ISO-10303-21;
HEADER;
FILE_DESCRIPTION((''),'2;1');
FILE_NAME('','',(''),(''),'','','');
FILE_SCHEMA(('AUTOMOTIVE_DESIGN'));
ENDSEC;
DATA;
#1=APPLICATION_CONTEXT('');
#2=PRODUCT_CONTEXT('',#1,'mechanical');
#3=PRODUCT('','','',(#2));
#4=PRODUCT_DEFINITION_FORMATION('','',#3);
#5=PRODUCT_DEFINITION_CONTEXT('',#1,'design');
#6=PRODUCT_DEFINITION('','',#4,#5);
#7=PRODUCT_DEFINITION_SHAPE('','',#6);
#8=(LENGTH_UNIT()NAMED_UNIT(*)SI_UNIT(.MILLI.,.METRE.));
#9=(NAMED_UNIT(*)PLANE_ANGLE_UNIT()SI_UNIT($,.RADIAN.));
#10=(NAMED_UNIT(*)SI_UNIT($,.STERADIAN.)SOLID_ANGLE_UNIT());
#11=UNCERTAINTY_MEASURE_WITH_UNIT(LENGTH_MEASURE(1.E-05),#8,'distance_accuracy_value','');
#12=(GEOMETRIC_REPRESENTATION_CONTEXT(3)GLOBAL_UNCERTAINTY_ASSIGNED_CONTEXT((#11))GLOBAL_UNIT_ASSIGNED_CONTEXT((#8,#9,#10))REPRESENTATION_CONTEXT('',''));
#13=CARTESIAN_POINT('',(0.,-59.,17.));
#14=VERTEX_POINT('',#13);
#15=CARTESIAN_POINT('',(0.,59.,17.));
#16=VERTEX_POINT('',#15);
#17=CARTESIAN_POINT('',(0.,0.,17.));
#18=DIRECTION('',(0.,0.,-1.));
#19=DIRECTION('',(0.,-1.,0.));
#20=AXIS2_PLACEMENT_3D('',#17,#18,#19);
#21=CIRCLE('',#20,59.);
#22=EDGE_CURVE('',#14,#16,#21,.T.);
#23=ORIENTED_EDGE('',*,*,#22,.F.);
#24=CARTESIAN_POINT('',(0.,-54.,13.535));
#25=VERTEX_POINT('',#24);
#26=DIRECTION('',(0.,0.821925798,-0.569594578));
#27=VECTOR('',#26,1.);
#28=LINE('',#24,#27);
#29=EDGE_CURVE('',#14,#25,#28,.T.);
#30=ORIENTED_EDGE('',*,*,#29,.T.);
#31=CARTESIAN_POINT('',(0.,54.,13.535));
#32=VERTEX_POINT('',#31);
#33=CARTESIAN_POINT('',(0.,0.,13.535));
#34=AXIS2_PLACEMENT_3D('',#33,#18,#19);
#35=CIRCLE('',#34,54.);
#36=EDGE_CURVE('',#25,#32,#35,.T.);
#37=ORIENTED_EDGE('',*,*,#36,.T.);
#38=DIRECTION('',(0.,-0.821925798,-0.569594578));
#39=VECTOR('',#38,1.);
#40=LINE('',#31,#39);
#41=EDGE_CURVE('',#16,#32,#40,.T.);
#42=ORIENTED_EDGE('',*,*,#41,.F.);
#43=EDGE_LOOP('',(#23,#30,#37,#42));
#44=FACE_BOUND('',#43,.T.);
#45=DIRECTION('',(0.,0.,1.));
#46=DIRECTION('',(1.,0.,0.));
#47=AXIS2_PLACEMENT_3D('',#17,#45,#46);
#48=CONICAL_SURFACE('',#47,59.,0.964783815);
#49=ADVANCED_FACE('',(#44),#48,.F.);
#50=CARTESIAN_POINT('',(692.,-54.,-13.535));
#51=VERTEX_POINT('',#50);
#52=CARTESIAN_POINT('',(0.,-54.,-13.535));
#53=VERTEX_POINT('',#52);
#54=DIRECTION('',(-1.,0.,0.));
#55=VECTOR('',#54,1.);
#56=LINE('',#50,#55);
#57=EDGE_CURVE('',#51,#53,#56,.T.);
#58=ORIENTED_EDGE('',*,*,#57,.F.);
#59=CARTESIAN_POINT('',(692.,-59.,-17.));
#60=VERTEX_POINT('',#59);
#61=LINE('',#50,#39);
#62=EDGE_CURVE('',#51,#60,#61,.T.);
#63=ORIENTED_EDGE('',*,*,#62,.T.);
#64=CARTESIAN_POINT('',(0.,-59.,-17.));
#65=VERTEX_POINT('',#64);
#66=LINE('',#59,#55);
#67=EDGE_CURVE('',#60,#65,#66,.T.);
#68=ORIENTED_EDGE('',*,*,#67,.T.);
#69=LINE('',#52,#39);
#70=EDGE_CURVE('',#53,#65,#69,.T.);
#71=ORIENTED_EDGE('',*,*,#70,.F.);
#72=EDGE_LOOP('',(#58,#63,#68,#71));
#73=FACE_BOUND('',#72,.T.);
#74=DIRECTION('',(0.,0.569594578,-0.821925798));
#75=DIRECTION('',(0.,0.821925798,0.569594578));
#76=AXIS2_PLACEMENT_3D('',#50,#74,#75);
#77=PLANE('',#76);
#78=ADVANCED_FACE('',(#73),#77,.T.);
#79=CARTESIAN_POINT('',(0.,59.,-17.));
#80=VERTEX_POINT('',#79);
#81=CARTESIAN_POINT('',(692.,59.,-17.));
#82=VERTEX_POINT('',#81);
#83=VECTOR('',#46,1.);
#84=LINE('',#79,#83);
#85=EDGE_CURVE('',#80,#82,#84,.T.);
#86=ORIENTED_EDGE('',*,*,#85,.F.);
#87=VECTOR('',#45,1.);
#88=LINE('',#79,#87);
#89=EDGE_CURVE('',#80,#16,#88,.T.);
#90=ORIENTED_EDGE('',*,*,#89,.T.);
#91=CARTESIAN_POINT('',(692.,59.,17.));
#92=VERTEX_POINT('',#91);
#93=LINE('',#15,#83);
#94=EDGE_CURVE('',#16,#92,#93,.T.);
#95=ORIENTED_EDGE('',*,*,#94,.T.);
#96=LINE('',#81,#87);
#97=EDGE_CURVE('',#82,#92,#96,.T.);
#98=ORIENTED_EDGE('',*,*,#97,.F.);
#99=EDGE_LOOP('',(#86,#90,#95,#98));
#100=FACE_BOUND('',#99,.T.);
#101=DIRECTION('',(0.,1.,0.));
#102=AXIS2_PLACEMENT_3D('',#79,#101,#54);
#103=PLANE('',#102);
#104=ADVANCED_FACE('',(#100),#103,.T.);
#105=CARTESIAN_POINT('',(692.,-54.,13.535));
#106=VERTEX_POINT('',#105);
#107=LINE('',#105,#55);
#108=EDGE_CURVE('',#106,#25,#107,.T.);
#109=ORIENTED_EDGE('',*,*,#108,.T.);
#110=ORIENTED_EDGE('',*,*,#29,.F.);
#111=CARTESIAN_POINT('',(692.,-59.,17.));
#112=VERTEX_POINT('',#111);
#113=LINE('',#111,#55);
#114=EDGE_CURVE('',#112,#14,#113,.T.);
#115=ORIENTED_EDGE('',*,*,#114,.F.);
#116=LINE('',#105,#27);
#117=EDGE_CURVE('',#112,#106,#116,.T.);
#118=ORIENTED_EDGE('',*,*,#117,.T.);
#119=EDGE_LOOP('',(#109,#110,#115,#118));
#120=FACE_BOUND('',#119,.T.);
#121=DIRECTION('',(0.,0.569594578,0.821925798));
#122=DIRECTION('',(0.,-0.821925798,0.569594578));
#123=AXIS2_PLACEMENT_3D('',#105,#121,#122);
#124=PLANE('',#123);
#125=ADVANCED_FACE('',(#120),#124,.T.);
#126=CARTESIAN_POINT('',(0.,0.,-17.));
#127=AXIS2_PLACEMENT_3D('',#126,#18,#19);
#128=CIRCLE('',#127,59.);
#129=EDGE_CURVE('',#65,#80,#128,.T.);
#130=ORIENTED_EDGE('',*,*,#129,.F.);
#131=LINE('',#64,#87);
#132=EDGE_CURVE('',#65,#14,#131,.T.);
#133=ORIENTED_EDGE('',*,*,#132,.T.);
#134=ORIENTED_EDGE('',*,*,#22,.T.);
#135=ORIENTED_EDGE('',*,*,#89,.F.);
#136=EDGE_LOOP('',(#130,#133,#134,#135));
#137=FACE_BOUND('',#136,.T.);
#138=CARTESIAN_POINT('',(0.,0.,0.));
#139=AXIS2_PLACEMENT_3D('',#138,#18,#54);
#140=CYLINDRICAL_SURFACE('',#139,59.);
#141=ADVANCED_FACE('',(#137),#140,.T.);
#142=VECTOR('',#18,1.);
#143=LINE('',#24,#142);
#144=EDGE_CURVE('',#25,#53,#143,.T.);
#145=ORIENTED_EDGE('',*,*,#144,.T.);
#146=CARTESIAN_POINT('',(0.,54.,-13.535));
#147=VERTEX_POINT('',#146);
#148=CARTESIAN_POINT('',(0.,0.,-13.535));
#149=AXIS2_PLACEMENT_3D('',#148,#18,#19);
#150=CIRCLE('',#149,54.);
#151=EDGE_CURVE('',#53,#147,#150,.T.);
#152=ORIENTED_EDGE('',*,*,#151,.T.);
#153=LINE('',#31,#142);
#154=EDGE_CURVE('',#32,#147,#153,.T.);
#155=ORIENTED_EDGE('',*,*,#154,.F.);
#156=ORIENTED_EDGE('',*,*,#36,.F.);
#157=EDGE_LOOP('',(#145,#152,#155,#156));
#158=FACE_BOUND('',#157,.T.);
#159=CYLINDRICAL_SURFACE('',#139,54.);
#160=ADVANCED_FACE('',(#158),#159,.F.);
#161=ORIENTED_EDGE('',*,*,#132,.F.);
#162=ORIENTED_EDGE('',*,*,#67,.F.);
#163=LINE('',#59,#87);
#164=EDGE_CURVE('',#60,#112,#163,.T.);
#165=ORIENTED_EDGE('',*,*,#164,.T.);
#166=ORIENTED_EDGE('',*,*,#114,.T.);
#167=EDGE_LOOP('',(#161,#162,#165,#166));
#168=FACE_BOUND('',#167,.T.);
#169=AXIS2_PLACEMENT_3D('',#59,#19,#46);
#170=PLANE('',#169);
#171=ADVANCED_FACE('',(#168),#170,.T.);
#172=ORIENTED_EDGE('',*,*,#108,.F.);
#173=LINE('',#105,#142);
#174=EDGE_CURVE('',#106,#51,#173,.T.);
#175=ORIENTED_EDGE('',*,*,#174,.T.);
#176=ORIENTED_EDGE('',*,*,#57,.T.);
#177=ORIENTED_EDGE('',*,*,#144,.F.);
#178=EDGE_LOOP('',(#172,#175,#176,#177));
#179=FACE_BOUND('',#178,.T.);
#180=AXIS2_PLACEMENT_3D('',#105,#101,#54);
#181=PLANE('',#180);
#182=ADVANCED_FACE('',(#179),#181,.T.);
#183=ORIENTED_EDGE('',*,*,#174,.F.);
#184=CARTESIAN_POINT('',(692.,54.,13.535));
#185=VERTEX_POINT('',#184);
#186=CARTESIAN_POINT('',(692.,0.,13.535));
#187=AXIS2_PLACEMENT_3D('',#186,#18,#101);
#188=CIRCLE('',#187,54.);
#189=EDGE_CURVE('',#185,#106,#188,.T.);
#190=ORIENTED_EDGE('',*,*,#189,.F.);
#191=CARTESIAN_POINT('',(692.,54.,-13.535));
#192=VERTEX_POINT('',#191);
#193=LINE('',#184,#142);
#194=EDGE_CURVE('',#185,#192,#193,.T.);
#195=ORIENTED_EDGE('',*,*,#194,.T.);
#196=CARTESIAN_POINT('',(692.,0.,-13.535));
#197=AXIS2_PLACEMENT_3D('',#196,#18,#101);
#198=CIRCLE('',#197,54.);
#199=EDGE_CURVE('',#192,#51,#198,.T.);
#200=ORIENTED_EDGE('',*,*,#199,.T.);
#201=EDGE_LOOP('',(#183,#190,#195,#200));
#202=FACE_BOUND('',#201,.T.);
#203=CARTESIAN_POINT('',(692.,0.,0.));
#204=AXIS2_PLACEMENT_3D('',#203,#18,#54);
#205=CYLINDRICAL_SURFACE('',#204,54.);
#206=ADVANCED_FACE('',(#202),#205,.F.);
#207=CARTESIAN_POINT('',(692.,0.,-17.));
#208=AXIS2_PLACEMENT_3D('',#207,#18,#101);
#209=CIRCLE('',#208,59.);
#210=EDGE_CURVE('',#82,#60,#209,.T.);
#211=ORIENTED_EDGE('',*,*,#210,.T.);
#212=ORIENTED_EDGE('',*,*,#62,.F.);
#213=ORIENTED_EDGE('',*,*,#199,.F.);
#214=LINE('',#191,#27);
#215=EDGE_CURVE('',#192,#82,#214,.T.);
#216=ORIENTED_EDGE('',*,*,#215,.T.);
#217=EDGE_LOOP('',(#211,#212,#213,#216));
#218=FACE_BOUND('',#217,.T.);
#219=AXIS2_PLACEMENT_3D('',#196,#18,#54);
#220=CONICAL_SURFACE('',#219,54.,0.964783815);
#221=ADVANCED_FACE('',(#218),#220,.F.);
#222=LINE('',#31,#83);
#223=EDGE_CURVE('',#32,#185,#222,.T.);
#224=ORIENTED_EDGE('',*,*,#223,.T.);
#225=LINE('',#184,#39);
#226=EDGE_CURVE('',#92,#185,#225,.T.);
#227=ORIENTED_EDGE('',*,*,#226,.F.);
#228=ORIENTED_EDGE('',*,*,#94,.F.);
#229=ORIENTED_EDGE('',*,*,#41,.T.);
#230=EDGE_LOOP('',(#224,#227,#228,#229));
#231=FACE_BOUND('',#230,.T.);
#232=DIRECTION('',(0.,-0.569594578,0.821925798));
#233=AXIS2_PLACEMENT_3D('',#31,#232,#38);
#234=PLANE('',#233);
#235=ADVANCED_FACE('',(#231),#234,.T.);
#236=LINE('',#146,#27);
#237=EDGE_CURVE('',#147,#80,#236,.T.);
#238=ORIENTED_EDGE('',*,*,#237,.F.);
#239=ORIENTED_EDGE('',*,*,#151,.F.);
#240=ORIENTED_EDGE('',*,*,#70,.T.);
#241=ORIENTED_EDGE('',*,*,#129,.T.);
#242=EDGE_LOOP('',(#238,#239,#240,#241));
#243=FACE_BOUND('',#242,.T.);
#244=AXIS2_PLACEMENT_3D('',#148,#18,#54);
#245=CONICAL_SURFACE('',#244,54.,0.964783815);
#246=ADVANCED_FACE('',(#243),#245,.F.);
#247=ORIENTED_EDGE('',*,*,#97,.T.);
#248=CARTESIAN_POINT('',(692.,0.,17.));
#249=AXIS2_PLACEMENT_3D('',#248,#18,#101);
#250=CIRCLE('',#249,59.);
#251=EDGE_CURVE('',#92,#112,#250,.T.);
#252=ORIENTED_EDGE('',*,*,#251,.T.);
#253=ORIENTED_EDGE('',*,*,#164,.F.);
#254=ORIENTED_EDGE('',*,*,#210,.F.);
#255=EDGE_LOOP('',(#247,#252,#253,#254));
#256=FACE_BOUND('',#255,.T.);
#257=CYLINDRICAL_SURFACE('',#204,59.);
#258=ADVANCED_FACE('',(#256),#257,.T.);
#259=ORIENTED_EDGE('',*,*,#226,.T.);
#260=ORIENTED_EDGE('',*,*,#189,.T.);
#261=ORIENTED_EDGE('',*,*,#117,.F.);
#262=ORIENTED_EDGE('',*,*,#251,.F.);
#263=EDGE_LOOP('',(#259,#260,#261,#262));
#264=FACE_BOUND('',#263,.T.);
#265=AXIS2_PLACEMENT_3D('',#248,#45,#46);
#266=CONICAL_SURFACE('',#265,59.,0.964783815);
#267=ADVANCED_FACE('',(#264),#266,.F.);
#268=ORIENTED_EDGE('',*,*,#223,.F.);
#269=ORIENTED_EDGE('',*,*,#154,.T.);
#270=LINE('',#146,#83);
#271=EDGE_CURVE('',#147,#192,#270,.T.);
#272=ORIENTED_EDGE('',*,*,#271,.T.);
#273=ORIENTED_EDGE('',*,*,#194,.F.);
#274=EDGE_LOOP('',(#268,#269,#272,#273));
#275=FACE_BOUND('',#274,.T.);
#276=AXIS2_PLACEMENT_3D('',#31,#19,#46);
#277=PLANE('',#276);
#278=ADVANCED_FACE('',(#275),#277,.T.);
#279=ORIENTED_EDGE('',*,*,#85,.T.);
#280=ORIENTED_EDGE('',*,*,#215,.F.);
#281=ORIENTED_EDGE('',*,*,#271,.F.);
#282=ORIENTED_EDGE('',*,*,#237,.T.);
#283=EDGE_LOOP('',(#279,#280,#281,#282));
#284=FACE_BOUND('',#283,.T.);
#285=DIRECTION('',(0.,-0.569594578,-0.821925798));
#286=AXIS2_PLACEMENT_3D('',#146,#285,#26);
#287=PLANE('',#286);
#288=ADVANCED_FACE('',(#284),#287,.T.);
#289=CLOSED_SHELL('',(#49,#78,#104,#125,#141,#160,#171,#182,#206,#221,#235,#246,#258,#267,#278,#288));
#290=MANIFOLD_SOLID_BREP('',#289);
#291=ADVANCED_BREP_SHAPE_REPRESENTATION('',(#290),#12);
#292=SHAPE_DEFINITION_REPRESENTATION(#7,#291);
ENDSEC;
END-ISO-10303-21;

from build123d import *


with BuildPart() as part:
    # Sweep2: sweep along a path in Sketch5
    with BuildLine(Plane.XY) as sweep2_path:
        Line((692, 54), (0, 54))
        ThreePointArc((0, 54), (-54, 0), (0, -54))
        Line((0, -54), (692, -54))
        ThreePointArc((692, -54), (746, 0), (692, 54))
    # Sketch6 → Sweep2 (sweep)
    with BuildSketch(Plane(origin=(0, 0, 0), x_dir=(0, 0, -1), z_dir=(1, 0, 0))):
        Polygon((-13.535, 54), (13.535, 54), (17, 59), (-17, 59), align=None)
    sweep(path=sweep2_path.line)


solid = part.part
